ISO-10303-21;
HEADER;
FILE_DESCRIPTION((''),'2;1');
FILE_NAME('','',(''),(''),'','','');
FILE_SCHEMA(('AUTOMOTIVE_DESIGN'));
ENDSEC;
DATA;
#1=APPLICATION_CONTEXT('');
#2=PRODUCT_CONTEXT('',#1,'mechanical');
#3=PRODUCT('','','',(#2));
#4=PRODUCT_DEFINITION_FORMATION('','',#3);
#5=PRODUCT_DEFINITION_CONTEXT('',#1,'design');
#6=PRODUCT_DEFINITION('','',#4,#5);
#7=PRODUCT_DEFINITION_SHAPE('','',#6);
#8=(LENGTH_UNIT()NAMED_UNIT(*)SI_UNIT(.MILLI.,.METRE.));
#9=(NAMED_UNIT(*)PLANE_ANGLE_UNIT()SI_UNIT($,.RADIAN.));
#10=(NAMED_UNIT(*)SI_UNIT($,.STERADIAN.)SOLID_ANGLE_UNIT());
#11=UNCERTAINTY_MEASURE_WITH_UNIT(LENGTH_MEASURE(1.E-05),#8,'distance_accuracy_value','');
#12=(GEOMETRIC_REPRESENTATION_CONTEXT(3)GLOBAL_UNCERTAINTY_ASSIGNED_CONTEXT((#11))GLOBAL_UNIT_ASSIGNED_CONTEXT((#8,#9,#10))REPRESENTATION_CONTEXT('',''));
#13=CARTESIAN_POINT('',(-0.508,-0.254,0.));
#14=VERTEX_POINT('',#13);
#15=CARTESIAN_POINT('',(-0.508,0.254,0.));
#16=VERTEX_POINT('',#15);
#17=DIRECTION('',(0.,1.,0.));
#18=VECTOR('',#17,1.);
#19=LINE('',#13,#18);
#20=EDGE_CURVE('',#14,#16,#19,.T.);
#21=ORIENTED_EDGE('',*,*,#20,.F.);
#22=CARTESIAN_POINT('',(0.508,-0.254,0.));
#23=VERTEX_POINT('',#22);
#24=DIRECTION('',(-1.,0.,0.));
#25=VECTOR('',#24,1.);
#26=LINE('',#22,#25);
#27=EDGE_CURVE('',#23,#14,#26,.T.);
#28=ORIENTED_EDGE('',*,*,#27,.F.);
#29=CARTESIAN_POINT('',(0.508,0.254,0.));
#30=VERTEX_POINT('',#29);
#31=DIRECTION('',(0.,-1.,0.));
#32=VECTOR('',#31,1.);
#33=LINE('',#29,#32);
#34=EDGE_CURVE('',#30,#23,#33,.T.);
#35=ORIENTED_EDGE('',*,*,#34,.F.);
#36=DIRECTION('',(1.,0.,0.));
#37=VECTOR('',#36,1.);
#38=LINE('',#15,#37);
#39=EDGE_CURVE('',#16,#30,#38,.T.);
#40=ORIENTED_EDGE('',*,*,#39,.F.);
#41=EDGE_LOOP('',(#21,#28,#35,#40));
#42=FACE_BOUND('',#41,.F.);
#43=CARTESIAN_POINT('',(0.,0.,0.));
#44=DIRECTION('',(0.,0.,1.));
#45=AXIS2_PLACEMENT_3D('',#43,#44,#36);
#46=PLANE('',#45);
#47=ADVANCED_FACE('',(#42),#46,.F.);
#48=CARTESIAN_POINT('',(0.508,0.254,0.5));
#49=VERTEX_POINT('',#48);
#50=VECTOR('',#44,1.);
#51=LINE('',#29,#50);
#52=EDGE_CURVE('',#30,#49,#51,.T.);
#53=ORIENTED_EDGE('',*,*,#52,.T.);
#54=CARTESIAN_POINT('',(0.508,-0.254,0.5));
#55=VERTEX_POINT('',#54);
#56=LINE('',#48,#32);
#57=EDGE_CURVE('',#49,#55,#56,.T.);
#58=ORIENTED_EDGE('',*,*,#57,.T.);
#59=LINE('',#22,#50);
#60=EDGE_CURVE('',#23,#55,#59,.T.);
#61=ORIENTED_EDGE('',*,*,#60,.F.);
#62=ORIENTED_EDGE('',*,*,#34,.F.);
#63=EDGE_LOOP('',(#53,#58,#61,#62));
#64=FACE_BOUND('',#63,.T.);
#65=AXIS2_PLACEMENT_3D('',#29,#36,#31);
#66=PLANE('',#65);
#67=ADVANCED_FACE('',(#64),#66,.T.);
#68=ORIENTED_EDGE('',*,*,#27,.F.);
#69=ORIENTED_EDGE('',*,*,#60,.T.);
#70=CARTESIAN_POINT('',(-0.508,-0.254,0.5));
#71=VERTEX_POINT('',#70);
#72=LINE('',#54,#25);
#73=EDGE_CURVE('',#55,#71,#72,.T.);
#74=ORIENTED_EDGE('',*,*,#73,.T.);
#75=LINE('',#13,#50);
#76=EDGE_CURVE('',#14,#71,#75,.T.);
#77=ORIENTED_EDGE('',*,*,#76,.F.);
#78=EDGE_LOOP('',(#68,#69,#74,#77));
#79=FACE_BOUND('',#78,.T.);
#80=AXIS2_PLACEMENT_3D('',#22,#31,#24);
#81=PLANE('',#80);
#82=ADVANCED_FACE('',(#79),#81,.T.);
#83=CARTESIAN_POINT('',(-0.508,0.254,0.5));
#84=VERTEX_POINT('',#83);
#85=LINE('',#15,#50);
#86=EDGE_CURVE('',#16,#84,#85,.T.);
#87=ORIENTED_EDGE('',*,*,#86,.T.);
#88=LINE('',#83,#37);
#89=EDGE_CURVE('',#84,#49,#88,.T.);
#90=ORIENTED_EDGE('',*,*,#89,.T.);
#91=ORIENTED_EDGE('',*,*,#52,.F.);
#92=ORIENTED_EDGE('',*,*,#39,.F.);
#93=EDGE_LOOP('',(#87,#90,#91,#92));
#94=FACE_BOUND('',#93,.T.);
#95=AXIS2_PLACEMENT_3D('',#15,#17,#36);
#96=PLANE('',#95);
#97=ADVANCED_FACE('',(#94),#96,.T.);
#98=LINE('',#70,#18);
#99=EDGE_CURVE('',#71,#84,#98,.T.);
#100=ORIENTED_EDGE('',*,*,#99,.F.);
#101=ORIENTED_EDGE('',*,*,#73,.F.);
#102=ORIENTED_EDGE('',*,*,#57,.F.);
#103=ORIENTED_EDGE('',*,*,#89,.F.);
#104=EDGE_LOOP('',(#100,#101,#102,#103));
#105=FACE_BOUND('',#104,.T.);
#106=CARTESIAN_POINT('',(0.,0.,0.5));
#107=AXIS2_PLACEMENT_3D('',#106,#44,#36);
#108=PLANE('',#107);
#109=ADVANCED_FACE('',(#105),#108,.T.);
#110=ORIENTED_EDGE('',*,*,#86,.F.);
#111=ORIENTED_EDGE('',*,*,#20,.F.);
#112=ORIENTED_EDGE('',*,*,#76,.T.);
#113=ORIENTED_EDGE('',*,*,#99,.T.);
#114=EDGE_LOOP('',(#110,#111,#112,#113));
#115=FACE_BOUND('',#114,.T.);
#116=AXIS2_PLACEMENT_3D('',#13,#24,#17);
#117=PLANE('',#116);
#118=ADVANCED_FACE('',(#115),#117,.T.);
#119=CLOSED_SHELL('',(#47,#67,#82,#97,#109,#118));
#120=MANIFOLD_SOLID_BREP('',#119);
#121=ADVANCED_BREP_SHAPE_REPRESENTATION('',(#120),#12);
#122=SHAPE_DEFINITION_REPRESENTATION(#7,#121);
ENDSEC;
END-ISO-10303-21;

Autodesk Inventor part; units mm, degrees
ref_plane "YZ Plane" through (0, 0, 0) normal (1, 0, 0) x (0, 1, 0)
ref_plane "XZ Plane" through (0, 0, 0) normal (0, 1, 0) x (-1, 0, 0)
ref_plane "XY Plane" through (0, 0, 0) normal (0, 0, 1) x (1, 0, 0)
sketch "C0402, 4.7nF_63" plane through (0, 0, 0) normal (0, 0, 1) x (1, 0, 0)
  line L0 (-0.508, 0.254) -> (0.508, 0.254)
  line L1 (0.508, 0.254) -> (0.508, -0.254)
  line L2 (0.508, -0.254) -> (-0.508, -0.254)
  line L3 (-0.508, -0.254) -> (-0.508, 0.254)
extrude "Extrusion1" add sketch "C0402, 4.7nF_63" along normal blind 0.5
properties part number "4.7nF"
